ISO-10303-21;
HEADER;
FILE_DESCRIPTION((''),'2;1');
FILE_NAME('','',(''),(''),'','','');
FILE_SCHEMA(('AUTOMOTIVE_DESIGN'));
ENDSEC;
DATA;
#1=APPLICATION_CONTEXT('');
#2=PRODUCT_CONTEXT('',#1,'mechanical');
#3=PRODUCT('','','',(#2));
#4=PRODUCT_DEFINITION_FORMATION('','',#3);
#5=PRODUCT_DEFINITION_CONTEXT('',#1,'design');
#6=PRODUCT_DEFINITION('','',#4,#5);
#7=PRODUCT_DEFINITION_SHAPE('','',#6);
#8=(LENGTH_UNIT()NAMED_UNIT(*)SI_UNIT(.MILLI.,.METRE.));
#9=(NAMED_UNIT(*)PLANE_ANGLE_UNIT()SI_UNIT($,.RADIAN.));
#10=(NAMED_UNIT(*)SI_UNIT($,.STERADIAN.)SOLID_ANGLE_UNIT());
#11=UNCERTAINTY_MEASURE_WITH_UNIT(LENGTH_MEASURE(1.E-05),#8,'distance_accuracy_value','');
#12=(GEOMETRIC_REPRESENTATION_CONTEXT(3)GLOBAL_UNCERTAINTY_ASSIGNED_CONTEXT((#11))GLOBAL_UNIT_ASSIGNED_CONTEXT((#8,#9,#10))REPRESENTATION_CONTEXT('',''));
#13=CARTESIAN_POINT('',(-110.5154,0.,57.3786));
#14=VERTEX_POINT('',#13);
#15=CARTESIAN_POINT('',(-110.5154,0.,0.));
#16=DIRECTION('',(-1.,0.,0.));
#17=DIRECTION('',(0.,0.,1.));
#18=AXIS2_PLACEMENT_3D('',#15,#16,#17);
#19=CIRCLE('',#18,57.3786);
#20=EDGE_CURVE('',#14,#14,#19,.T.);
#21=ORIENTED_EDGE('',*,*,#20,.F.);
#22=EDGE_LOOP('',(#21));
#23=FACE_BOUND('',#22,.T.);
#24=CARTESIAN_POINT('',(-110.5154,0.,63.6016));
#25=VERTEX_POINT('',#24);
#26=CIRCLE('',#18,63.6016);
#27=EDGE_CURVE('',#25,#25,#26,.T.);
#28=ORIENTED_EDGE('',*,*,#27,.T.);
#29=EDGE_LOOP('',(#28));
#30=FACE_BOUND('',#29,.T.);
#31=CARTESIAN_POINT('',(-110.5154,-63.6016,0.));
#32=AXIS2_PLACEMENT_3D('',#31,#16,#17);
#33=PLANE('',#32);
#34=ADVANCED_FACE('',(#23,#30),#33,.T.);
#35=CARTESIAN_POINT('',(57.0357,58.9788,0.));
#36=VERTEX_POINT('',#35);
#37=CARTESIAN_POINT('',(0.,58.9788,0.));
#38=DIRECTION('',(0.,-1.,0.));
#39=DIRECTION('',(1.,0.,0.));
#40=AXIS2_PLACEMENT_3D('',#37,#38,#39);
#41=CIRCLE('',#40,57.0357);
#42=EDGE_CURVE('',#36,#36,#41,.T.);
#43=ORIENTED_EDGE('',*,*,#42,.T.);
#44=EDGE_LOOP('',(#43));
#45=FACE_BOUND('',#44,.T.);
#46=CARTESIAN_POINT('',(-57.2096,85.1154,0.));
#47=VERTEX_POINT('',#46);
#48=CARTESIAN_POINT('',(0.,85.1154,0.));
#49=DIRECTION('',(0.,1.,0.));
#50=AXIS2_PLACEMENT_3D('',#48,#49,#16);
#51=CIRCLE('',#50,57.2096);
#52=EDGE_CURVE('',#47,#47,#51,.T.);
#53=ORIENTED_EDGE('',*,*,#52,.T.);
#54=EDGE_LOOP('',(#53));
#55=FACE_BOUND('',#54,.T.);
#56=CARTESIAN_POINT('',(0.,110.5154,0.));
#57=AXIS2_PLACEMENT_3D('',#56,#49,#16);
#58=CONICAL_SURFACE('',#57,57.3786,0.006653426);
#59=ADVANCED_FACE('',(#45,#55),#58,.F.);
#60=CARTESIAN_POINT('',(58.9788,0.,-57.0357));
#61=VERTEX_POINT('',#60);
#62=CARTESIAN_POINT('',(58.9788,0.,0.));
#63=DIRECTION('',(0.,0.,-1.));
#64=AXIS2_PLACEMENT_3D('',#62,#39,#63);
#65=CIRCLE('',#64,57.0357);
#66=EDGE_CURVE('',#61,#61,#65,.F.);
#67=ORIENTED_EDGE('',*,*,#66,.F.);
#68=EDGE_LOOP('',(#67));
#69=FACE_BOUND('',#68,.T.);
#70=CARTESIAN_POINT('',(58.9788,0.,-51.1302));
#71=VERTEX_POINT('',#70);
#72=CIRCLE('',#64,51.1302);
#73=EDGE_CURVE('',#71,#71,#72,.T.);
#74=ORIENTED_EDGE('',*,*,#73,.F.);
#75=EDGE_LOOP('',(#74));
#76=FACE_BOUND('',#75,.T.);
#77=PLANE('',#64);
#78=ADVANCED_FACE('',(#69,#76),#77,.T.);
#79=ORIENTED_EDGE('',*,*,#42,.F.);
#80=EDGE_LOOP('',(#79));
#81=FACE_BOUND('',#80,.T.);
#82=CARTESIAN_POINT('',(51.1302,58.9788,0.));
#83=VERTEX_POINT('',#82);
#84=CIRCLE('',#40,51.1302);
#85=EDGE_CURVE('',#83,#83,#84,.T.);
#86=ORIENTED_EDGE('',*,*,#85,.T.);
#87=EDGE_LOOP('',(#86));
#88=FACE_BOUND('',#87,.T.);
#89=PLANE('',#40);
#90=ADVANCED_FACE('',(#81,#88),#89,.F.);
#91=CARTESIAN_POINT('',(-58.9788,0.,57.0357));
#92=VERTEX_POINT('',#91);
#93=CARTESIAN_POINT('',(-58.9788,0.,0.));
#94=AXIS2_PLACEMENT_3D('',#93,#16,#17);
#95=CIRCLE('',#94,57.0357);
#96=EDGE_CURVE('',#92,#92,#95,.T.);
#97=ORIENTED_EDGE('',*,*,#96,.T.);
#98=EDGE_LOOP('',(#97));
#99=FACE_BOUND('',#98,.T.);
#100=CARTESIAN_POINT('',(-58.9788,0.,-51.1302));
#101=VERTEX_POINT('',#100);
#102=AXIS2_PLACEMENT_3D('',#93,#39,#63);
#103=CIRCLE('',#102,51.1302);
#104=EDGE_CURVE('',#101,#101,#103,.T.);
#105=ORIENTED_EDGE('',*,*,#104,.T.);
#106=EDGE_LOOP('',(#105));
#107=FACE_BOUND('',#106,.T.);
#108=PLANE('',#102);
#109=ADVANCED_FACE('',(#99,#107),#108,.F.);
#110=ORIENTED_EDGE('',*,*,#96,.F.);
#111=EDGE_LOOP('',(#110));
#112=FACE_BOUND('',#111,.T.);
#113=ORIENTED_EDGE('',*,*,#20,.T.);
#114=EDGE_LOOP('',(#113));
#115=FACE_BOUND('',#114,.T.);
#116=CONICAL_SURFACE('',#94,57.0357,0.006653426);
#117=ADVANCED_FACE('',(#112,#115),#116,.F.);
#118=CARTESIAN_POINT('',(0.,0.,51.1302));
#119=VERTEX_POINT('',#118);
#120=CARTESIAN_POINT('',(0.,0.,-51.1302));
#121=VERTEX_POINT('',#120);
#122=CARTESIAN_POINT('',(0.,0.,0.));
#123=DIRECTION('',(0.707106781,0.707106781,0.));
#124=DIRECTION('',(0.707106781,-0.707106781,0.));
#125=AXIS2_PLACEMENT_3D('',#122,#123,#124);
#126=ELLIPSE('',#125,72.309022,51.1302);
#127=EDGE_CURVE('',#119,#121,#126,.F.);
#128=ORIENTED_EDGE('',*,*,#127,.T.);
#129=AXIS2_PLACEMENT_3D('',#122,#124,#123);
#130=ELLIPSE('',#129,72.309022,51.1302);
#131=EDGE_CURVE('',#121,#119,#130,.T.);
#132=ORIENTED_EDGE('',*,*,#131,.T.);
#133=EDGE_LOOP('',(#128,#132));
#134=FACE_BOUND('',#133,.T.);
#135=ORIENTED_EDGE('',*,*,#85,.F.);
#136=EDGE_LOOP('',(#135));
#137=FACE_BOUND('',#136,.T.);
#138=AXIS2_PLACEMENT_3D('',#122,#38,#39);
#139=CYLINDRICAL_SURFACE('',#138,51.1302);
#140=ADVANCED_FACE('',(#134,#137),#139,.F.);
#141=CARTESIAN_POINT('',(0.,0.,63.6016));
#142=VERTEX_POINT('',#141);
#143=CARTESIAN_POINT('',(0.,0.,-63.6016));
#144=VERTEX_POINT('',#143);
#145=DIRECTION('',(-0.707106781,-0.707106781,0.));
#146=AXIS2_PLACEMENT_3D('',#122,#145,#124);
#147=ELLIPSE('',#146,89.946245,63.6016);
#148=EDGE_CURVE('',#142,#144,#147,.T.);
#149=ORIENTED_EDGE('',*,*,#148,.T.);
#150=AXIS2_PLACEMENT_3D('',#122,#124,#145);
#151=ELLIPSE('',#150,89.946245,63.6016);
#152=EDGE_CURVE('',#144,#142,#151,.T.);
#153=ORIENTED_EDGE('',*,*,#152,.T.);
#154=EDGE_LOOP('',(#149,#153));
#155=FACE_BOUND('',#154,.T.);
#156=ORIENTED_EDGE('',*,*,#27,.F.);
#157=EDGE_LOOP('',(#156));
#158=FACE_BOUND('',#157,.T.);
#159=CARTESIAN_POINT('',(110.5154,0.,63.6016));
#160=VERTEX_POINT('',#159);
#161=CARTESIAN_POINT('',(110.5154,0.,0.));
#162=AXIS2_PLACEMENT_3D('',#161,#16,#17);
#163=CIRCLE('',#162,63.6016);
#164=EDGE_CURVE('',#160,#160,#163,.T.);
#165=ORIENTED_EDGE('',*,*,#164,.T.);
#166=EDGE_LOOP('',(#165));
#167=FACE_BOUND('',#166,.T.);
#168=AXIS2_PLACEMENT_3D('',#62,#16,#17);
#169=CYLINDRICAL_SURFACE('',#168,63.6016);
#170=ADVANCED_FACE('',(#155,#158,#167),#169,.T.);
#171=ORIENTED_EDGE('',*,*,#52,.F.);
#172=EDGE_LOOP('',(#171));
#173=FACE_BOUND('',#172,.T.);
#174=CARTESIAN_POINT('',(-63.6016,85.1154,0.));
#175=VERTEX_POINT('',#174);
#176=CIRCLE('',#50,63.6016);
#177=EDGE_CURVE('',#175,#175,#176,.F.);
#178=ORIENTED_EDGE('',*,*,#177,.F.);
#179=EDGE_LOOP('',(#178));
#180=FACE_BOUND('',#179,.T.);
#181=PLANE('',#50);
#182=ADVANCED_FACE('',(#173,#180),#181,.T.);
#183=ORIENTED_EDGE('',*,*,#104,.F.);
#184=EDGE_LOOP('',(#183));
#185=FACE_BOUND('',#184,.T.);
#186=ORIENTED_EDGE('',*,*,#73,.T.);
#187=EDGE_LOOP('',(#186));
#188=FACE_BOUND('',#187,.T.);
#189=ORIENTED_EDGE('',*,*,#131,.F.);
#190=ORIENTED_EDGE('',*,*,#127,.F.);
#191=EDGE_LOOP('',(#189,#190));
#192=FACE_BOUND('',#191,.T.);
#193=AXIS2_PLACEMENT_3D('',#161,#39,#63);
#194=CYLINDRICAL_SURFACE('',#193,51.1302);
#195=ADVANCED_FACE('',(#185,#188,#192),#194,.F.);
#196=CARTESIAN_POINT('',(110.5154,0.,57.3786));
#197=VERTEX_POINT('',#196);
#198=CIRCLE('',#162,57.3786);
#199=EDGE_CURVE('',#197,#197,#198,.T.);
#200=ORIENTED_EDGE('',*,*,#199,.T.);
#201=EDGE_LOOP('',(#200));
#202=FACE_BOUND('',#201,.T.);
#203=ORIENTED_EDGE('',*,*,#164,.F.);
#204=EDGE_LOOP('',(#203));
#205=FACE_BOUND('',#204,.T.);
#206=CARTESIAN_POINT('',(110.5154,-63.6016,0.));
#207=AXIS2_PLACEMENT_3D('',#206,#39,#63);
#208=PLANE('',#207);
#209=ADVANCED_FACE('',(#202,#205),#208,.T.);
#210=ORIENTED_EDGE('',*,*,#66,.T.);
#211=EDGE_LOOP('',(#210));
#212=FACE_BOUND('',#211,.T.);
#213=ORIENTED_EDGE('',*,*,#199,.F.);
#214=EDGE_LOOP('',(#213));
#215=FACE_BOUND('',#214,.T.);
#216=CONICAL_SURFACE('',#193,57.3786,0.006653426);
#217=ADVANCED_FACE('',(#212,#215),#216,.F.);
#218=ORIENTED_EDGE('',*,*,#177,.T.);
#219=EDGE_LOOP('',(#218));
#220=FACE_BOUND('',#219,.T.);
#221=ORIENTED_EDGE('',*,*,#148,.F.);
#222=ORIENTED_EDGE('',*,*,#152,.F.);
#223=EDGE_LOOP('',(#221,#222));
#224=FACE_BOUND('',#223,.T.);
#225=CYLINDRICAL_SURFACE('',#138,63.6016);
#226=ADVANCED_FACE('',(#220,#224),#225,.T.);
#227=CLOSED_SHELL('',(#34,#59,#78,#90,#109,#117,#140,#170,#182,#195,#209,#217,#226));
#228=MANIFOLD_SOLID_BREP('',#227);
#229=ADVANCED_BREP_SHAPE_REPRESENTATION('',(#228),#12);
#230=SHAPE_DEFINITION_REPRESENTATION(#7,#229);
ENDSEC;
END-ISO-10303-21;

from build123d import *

# Parameters (mm, degrees)
SKETCH4_R           = 63.6016
BOSS_EXTRUDE1_DEPTH = 117.9576
SKETCH5_R           = 63.6016
BOSS_EXTRUDE2_DEPTH = 58.9788
SKETCH8_R           = 92.190098926
SKETCH8_R_2         = 25.050168183
CUT_EXTRUDE1_DEPTH  = 25.4


with BuildPart() as part:
    # Sketch1 → Revolve1 (revolve)
    with BuildSketch(Plane.XY):
        Polygon((-110.5154, -63.6016), (-58.9788, -63.6016), (-58.9788, -57.0357), (-110.5154, -57.3786), align=None)
        Polygon((110.5154, -57.3786), (58.9788, -57.0357), (58.9788, -63.6016), (110.5154, -63.6016), align=None)
    revolve(axis=Axis((-110.5154, 0, 0), (1, 0, 0)))



with BuildPart() as body_2:
    # Sketch2 → Revolve2 (revolve)
    with BuildSketch(Plane.XY):
        Polygon((57.3786, 110.5154), (57.0357, 58.9788), (63.6016, 58.9788), (63.6016, 110.5154), align=None)
    revolve(axis=Axis((0, 0, 0), (0, 1, 0)))


with BuildPart() as part_1:
    add(part.part)

    add(body_2.part)  # Boss-Extrude1 merges body 2
    # Sketch4 → Boss-Extrude1 (add)
    with BuildSketch(Plane(origin=(-58.9788, 0, 0), x_dir=(0, 0, -1), z_dir=(1, 0, 0))):
        Circle(SKETCH4_R)
    extrude(amount=BOSS_EXTRUDE1_DEPTH)

    # Sketch5 → Boss-Extrude2 (add)
    with BuildSketch(Plane.XZ.offset(-58.9788)):
        Circle(SKETCH5_R)
    extrude(amount=BOSS_EXTRUDE2_DEPTH)

    # Sketch6 → Cut-Revolve1 (revolve, cut)
    with BuildSketch(Plane.XY):
        Polygon((-110.5154, -57.3786), (-58.9788, -57.0357), (-58.9788, -51.1302), (58.9788, -51.1302), (58.9788, -57.0357), (110.5154, -57.3786), (110.5154, 0), (-110.5154, 0), align=None)
    revolve(axis=Axis((110.5154, 0, 0), (-1, 0, 0)), mode=Mode.SUBTRACT)

    # Sketch7 → Cut-Revolve2 (revolve, cut)
    with BuildSketch(Plane.XY):
        Polygon((57.3786, 110.5154), (57.0357, 58.9788), (51.1302, 58.9788), (51.1302, 0), (0, 0), (0, 110.5154), align=None)
    revolve(axis=Axis((0, 0, 0), (0, 1, 0)), mode=Mode.SUBTRACT)

    # Sketch8 → Cut-Extrude1 (cut)
    with BuildSketch(Plane(origin=(0, 110.5154, 0), x_dir=(1, 0, 0), z_dir=(0, 1, 0))):
        Circle(SKETCH8_R)
        Circle(SKETCH8_R_2, mode=Mode.SUBTRACT)
    extrude(amount=-CUT_EXTRUDE1_DEPTH, mode=Mode.SUBTRACT)


solid = part_1.part
